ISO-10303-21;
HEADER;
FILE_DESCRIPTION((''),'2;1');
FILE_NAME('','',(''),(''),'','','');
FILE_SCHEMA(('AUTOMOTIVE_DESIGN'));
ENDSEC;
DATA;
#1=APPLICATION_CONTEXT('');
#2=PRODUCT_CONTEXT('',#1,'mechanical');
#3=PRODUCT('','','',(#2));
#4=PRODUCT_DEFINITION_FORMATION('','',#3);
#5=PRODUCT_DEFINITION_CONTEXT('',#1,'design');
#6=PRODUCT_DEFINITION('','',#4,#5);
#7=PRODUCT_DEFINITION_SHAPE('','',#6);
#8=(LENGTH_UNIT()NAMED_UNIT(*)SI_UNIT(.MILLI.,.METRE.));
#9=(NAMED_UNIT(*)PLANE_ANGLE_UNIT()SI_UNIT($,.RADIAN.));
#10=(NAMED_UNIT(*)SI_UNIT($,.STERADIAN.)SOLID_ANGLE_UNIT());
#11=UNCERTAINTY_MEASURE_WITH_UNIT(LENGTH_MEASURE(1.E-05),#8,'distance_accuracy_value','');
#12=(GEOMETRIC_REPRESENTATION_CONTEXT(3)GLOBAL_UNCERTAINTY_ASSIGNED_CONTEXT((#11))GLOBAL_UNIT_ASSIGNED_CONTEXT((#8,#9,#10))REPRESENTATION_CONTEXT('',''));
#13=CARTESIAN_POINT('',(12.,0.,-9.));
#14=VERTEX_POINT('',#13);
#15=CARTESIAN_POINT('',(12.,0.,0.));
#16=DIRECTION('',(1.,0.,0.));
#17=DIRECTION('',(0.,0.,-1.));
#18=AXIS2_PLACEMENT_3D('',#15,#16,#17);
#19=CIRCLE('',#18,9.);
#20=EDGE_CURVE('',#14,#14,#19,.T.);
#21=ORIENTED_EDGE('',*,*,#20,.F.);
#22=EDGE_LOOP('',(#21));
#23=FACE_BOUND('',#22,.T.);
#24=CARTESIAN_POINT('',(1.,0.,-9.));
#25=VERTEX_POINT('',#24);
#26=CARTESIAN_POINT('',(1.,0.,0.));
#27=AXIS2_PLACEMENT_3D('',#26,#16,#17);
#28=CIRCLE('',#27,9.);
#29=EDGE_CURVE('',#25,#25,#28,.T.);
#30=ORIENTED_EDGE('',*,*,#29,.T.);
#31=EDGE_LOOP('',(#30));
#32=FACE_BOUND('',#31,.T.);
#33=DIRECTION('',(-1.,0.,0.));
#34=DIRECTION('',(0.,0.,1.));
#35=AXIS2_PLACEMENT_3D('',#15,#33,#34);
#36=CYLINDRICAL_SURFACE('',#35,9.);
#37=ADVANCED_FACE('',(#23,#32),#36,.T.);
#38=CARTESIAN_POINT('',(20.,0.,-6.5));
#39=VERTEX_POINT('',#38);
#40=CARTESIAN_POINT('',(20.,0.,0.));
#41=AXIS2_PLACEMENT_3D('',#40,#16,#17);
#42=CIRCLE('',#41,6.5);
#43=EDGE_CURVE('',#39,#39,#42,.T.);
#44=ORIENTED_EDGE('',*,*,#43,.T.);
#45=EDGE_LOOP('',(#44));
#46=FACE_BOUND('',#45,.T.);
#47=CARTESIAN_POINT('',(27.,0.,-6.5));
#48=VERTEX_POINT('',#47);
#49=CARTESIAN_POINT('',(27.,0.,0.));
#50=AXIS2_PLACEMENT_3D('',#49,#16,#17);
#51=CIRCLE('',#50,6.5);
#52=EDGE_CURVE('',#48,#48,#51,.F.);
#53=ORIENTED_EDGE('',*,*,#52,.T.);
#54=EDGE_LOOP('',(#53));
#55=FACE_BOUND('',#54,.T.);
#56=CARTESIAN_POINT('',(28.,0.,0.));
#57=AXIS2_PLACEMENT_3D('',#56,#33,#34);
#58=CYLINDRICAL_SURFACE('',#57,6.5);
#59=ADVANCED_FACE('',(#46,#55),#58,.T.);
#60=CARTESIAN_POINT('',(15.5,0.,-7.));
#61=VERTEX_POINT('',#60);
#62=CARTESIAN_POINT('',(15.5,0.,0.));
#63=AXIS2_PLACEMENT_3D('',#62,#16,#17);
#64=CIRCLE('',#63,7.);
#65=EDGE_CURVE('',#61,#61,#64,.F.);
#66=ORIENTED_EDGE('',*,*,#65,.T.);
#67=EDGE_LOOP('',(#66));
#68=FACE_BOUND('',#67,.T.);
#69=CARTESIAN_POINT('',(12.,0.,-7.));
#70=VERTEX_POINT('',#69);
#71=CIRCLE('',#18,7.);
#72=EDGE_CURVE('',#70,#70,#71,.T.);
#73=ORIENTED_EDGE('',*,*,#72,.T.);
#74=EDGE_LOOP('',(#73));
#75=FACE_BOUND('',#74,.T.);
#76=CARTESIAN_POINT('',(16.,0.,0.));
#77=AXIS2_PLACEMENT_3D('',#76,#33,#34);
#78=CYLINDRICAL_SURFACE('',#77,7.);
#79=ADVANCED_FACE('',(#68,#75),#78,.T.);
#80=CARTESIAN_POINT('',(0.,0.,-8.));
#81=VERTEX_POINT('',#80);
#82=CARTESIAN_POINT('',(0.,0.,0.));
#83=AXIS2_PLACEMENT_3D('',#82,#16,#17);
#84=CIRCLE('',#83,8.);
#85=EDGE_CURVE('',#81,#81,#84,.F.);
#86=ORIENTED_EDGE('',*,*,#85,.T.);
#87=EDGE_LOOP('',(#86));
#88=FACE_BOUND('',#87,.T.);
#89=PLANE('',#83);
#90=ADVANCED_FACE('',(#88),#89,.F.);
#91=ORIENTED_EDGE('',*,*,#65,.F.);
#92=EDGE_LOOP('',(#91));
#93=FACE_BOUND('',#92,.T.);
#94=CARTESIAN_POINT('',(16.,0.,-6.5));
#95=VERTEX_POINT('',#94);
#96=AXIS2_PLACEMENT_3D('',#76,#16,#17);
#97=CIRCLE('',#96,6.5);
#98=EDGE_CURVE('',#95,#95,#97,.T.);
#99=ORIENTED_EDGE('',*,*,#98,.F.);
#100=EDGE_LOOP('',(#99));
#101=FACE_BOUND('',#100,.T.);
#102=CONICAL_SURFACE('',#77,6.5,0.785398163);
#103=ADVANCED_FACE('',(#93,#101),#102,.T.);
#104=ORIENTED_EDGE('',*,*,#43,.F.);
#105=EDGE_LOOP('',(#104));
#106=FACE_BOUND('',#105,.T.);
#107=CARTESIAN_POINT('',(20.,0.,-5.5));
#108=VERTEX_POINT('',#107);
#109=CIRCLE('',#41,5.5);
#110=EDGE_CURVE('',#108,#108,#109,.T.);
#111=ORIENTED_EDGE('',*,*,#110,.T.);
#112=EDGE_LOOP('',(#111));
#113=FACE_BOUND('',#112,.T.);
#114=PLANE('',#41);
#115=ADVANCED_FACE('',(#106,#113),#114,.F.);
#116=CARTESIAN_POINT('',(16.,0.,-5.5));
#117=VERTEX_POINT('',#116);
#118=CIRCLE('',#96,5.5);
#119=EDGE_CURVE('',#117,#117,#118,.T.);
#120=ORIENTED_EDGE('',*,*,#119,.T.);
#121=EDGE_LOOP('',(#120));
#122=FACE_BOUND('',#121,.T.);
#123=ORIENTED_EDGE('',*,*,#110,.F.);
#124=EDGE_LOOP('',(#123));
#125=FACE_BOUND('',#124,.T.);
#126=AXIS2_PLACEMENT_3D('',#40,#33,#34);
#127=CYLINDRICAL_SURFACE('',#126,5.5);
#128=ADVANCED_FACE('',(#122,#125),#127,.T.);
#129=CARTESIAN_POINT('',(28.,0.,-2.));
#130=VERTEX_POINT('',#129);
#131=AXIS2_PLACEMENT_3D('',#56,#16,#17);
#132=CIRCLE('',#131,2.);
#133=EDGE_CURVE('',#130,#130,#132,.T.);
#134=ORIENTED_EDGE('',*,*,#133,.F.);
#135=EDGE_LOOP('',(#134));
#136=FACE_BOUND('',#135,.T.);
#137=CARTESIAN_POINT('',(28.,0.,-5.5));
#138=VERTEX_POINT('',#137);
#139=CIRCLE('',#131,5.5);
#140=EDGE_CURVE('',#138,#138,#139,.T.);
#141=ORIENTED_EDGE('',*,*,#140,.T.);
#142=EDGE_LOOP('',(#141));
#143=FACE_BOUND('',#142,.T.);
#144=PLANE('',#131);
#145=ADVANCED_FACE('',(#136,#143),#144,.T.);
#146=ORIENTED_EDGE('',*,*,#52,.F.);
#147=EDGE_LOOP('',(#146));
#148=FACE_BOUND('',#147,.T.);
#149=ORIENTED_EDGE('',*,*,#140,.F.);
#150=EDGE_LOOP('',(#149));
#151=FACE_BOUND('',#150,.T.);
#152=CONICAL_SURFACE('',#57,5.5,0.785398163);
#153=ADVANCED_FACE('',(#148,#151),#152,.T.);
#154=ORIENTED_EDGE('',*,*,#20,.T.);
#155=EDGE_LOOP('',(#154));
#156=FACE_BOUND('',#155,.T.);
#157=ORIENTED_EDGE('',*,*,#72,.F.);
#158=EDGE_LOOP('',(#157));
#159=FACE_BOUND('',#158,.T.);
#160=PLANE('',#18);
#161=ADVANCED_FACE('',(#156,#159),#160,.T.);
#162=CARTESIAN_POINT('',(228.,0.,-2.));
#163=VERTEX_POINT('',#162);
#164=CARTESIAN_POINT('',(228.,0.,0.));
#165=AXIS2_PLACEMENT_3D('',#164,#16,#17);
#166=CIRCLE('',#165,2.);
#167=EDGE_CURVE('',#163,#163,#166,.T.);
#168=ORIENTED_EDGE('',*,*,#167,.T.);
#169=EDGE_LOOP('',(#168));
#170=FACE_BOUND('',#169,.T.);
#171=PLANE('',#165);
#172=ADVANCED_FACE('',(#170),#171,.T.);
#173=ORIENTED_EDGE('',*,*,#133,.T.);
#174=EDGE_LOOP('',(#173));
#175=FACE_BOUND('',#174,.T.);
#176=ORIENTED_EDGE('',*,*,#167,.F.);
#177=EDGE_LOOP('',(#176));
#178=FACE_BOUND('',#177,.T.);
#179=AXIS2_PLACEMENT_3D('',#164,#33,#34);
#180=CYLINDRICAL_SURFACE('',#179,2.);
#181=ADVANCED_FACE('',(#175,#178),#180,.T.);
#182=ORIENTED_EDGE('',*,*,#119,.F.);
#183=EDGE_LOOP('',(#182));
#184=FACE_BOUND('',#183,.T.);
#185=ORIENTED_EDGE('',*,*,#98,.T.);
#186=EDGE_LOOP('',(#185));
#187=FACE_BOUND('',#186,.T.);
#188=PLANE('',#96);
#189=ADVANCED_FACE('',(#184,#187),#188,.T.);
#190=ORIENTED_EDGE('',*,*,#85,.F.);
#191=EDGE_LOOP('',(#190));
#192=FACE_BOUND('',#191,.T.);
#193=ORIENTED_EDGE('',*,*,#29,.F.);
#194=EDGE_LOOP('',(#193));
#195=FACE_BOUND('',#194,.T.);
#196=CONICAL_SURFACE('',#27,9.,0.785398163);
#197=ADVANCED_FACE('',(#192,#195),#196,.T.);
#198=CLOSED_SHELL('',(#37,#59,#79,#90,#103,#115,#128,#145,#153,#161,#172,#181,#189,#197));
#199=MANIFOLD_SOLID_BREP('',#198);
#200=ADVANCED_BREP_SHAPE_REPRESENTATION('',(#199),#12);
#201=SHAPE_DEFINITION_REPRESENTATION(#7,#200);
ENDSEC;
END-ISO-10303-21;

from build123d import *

# Parameters (mm, degrees)
CROQUIS1_R              = 9
SALIENTE_EXTRUIR1_DEPTH = 12
CHAFL_N1_SIZE           = 1
CROQUIS2_R              = 7
SALIENTE_EXTRUIR2_DEPTH = 4
CROQUIS3_R              = 5.5
SALIENTE_EXTRUIR3_DEPTH = 4
CROQUIS4_R              = 6.5
SALIENTE_EXTRUIR4_DEPTH = 8
CHAFL_N2_SIZE           = 1
CROQUIS5_R              = 2
SALIENTE_EXTRUIR5_DEPTH = 200
CHAFL_N3_SIZE           = 0.5


with BuildPart() as part:
    # Croquis1 → Saliente-Extruir1 (new body)
    with BuildSketch(Plane(origin=(0, 0, 0), x_dir=(0, 0, -1), z_dir=(1, 0, 0))):
        Circle(CROQUIS1_R)
    extrude(amount=SALIENTE_EXTRUIR1_DEPTH)

    # Chaflán1
    chafl_n1_edges = [part.edges().sort_by_distance(p)[0] for p in [
        (0, 0, 9),
    ]]
    chamfer(chafl_n1_edges, length=CHAFL_N1_SIZE)

    # Croquis2 → Saliente-Extruir2 (add)
    with BuildSketch(Plane(origin=(12, 0, 0), x_dir=(0, 0, -1), z_dir=(1, 0, 0))):
        Circle(CROQUIS2_R)
    extrude(amount=SALIENTE_EXTRUIR2_DEPTH)

    # Croquis3 → Saliente-Extruir3 (add)
    with BuildSketch(Plane(origin=(16, 0, 0), x_dir=(0, 0, -1), z_dir=(1, 0, 0))):
        Circle(CROQUIS3_R)
    extrude(amount=SALIENTE_EXTRUIR3_DEPTH)

    # Croquis4 → Saliente-Extruir4 (add)
    with BuildSketch(Plane(origin=(20, 0, 0), x_dir=(0, 0, -1), z_dir=(1, 0, 0))):
        Circle(CROQUIS4_R)
    extrude(amount=SALIENTE_EXTRUIR4_DEPTH)

    # Chaflán2
    chafl_n2_edges = [part.edges().sort_by_distance(p)[0] for p in [
        (28, 0, 6.5),
    ]]
    chamfer(chafl_n2_edges, length=CHAFL_N2_SIZE)

    # Croquis5 → Saliente-Extruir5 (add)
    with BuildSketch(Plane(origin=(28, 0, 0), x_dir=(0, 0, -1), z_dir=(1, 0, 0))):
        Circle(CROQUIS5_R)
    extrude(amount=SALIENTE_EXTRUIR5_DEPTH)

    # Chaflán3
    chafl_n3_edges = [part.edges().sort_by_distance(p)[0] for p in [
        (16, 0, 7),
    ]]
    chamfer(chafl_n3_edges, length=CHAFL_N3_SIZE)


solid = part.part
